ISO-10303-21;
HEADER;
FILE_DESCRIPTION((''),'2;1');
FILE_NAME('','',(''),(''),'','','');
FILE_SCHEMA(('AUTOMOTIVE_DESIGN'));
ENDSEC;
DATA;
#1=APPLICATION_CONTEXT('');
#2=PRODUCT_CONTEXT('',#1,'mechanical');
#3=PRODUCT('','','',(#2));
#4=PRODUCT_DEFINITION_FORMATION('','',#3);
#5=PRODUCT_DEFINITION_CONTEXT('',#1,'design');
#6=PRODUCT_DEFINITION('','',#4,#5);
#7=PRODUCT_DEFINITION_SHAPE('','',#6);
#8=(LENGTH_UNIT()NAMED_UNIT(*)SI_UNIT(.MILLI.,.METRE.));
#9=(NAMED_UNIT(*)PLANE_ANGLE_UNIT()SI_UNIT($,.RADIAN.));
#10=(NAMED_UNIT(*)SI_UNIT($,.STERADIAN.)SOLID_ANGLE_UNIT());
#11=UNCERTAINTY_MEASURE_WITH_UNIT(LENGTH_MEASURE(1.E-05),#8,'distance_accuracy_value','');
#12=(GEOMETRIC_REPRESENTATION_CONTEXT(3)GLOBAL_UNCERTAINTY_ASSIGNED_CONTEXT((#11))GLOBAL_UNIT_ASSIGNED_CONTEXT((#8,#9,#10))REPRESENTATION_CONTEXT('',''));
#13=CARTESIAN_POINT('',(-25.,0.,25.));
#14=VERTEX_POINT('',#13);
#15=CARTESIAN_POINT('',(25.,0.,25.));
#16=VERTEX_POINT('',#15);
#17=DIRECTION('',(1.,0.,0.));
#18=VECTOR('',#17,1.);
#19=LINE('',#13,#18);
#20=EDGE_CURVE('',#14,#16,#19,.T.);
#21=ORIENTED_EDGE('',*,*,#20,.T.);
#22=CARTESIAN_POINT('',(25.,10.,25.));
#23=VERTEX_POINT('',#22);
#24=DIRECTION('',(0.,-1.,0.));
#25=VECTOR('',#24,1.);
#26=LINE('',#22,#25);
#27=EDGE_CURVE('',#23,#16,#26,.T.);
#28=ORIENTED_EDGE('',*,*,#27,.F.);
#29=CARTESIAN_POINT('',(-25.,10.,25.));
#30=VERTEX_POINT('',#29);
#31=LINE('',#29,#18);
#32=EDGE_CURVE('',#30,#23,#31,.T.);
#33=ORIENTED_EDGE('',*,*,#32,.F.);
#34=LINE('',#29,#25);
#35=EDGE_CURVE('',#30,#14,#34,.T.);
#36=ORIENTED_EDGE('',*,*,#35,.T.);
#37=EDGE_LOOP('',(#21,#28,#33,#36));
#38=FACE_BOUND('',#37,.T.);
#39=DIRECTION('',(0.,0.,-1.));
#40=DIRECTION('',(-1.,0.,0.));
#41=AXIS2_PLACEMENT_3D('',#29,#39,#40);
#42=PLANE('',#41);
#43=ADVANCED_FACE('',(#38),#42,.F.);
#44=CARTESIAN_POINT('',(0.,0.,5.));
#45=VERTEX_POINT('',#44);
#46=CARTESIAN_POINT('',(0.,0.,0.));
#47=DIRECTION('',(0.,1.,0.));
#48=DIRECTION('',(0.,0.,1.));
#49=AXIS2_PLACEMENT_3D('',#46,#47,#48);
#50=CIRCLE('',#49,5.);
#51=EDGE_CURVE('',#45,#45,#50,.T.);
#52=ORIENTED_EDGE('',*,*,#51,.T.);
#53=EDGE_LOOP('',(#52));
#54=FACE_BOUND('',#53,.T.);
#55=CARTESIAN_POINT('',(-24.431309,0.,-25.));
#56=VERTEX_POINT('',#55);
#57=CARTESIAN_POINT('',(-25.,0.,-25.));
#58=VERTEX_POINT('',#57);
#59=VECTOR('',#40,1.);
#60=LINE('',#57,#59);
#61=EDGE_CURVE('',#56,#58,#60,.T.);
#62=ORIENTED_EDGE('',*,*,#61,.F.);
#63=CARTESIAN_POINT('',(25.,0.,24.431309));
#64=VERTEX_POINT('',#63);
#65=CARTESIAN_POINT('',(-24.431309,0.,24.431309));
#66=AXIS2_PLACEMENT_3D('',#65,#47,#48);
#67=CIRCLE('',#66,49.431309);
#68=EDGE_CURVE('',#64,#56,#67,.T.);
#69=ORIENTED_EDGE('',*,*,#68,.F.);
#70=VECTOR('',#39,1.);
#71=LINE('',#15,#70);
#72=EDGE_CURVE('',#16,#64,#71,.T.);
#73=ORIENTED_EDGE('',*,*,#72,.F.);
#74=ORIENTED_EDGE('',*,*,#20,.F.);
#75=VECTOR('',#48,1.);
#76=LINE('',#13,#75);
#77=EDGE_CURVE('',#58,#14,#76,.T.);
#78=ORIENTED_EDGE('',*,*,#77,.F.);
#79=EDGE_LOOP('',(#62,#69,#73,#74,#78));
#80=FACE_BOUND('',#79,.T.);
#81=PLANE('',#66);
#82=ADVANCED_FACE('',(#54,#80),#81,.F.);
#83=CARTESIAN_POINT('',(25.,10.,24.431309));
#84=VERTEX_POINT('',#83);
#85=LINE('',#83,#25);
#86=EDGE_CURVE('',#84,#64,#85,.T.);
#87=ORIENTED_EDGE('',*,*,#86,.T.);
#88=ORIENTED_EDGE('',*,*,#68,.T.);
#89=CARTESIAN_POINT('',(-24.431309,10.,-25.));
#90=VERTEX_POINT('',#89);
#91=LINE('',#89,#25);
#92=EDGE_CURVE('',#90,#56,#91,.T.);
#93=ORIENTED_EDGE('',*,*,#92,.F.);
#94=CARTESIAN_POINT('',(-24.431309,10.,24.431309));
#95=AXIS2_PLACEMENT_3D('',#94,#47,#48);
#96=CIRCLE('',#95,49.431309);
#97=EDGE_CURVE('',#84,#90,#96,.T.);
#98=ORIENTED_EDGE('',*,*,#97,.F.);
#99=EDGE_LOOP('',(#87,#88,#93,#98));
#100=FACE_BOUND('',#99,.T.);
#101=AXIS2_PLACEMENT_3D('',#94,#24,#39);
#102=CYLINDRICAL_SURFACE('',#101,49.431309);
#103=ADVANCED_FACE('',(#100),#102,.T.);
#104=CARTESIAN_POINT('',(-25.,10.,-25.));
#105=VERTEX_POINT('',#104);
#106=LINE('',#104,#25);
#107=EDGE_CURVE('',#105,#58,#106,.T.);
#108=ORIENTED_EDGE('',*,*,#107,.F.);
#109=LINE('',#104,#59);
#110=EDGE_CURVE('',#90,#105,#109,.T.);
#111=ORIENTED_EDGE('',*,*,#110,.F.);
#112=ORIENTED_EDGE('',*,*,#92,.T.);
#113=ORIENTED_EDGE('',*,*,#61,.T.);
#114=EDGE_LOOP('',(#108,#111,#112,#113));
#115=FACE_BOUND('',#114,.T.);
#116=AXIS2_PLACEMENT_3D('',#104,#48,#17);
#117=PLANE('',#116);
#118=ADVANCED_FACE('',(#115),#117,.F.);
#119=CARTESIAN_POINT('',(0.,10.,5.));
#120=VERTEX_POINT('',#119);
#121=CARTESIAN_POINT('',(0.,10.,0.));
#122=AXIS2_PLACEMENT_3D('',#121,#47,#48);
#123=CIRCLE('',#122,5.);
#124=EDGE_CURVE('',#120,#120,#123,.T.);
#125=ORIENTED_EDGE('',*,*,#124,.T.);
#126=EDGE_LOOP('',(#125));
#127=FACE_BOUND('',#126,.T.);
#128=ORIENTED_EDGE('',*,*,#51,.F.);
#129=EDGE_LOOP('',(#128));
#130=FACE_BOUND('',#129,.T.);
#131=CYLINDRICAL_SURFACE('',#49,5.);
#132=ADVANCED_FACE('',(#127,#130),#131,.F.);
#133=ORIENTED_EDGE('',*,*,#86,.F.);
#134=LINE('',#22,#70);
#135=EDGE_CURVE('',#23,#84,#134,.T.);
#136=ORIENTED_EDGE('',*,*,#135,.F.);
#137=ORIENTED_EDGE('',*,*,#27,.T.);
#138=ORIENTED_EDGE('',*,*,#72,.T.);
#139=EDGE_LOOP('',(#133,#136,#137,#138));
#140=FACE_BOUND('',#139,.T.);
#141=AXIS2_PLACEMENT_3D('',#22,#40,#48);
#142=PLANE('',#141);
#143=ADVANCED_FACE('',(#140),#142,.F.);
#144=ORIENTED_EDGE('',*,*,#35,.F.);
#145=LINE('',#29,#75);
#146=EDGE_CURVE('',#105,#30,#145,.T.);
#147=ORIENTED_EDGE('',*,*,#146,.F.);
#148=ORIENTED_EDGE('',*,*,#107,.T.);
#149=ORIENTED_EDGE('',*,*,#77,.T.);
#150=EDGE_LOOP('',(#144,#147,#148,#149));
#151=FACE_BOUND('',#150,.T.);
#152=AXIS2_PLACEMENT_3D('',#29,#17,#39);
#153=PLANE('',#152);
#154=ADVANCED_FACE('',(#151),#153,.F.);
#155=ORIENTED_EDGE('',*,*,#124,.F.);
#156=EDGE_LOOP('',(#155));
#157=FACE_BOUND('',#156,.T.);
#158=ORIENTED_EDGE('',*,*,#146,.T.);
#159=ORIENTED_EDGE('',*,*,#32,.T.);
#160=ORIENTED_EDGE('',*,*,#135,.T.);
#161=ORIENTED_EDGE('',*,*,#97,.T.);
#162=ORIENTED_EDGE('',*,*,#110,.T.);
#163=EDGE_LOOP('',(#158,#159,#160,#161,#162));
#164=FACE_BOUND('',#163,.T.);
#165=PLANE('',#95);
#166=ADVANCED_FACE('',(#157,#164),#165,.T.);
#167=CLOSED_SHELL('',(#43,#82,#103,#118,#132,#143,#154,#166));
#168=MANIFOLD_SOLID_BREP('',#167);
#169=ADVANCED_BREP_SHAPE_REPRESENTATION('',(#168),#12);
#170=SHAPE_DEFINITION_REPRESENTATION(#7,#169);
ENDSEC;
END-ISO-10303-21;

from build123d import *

# Parameters (mm, degrees)
SALIENTE_EXTRUIR1_DEPTH = 10
CROQUIS2_R              = 5
CORTAR_EXTRUIR1_DEPTH   = 10


with BuildPart() as part:
    # Croquis1 → Saliente-Extruir1 (new body)
    with BuildSketch(Plane(origin=(0, 0, 0), x_dir=(1, 0, 0), z_dir=(0, 1, 0))):
        with BuildLine():
            Line((-25, -25), (25, -25))
            Line((25, -25), (25, -24.43130904))
            ThreePointArc((25, -24.43130904), (10.521904785, 10.521904785), (-24.43130904, 25))
            Line((-24.43130904, 25), (-25, 25))
            Line((-25, 25), (-25, -25))
        make_face()
    extrude(amount=SALIENTE_EXTRUIR1_DEPTH)

    # Croquis2 → Cortar-Extruir1 (cut)
    with BuildSketch(Plane(origin=(0, 10, 0), x_dir=(1, 0, 0), z_dir=(0, 1, 0))):
        with Locations(Location((0, 0, 0), (0, 0, 270))):
            Circle(CROQUIS2_R)
    extrude(amount=-CORTAR_EXTRUIR1_DEPTH, mode=Mode.SUBTRACT)


solid = part.part
